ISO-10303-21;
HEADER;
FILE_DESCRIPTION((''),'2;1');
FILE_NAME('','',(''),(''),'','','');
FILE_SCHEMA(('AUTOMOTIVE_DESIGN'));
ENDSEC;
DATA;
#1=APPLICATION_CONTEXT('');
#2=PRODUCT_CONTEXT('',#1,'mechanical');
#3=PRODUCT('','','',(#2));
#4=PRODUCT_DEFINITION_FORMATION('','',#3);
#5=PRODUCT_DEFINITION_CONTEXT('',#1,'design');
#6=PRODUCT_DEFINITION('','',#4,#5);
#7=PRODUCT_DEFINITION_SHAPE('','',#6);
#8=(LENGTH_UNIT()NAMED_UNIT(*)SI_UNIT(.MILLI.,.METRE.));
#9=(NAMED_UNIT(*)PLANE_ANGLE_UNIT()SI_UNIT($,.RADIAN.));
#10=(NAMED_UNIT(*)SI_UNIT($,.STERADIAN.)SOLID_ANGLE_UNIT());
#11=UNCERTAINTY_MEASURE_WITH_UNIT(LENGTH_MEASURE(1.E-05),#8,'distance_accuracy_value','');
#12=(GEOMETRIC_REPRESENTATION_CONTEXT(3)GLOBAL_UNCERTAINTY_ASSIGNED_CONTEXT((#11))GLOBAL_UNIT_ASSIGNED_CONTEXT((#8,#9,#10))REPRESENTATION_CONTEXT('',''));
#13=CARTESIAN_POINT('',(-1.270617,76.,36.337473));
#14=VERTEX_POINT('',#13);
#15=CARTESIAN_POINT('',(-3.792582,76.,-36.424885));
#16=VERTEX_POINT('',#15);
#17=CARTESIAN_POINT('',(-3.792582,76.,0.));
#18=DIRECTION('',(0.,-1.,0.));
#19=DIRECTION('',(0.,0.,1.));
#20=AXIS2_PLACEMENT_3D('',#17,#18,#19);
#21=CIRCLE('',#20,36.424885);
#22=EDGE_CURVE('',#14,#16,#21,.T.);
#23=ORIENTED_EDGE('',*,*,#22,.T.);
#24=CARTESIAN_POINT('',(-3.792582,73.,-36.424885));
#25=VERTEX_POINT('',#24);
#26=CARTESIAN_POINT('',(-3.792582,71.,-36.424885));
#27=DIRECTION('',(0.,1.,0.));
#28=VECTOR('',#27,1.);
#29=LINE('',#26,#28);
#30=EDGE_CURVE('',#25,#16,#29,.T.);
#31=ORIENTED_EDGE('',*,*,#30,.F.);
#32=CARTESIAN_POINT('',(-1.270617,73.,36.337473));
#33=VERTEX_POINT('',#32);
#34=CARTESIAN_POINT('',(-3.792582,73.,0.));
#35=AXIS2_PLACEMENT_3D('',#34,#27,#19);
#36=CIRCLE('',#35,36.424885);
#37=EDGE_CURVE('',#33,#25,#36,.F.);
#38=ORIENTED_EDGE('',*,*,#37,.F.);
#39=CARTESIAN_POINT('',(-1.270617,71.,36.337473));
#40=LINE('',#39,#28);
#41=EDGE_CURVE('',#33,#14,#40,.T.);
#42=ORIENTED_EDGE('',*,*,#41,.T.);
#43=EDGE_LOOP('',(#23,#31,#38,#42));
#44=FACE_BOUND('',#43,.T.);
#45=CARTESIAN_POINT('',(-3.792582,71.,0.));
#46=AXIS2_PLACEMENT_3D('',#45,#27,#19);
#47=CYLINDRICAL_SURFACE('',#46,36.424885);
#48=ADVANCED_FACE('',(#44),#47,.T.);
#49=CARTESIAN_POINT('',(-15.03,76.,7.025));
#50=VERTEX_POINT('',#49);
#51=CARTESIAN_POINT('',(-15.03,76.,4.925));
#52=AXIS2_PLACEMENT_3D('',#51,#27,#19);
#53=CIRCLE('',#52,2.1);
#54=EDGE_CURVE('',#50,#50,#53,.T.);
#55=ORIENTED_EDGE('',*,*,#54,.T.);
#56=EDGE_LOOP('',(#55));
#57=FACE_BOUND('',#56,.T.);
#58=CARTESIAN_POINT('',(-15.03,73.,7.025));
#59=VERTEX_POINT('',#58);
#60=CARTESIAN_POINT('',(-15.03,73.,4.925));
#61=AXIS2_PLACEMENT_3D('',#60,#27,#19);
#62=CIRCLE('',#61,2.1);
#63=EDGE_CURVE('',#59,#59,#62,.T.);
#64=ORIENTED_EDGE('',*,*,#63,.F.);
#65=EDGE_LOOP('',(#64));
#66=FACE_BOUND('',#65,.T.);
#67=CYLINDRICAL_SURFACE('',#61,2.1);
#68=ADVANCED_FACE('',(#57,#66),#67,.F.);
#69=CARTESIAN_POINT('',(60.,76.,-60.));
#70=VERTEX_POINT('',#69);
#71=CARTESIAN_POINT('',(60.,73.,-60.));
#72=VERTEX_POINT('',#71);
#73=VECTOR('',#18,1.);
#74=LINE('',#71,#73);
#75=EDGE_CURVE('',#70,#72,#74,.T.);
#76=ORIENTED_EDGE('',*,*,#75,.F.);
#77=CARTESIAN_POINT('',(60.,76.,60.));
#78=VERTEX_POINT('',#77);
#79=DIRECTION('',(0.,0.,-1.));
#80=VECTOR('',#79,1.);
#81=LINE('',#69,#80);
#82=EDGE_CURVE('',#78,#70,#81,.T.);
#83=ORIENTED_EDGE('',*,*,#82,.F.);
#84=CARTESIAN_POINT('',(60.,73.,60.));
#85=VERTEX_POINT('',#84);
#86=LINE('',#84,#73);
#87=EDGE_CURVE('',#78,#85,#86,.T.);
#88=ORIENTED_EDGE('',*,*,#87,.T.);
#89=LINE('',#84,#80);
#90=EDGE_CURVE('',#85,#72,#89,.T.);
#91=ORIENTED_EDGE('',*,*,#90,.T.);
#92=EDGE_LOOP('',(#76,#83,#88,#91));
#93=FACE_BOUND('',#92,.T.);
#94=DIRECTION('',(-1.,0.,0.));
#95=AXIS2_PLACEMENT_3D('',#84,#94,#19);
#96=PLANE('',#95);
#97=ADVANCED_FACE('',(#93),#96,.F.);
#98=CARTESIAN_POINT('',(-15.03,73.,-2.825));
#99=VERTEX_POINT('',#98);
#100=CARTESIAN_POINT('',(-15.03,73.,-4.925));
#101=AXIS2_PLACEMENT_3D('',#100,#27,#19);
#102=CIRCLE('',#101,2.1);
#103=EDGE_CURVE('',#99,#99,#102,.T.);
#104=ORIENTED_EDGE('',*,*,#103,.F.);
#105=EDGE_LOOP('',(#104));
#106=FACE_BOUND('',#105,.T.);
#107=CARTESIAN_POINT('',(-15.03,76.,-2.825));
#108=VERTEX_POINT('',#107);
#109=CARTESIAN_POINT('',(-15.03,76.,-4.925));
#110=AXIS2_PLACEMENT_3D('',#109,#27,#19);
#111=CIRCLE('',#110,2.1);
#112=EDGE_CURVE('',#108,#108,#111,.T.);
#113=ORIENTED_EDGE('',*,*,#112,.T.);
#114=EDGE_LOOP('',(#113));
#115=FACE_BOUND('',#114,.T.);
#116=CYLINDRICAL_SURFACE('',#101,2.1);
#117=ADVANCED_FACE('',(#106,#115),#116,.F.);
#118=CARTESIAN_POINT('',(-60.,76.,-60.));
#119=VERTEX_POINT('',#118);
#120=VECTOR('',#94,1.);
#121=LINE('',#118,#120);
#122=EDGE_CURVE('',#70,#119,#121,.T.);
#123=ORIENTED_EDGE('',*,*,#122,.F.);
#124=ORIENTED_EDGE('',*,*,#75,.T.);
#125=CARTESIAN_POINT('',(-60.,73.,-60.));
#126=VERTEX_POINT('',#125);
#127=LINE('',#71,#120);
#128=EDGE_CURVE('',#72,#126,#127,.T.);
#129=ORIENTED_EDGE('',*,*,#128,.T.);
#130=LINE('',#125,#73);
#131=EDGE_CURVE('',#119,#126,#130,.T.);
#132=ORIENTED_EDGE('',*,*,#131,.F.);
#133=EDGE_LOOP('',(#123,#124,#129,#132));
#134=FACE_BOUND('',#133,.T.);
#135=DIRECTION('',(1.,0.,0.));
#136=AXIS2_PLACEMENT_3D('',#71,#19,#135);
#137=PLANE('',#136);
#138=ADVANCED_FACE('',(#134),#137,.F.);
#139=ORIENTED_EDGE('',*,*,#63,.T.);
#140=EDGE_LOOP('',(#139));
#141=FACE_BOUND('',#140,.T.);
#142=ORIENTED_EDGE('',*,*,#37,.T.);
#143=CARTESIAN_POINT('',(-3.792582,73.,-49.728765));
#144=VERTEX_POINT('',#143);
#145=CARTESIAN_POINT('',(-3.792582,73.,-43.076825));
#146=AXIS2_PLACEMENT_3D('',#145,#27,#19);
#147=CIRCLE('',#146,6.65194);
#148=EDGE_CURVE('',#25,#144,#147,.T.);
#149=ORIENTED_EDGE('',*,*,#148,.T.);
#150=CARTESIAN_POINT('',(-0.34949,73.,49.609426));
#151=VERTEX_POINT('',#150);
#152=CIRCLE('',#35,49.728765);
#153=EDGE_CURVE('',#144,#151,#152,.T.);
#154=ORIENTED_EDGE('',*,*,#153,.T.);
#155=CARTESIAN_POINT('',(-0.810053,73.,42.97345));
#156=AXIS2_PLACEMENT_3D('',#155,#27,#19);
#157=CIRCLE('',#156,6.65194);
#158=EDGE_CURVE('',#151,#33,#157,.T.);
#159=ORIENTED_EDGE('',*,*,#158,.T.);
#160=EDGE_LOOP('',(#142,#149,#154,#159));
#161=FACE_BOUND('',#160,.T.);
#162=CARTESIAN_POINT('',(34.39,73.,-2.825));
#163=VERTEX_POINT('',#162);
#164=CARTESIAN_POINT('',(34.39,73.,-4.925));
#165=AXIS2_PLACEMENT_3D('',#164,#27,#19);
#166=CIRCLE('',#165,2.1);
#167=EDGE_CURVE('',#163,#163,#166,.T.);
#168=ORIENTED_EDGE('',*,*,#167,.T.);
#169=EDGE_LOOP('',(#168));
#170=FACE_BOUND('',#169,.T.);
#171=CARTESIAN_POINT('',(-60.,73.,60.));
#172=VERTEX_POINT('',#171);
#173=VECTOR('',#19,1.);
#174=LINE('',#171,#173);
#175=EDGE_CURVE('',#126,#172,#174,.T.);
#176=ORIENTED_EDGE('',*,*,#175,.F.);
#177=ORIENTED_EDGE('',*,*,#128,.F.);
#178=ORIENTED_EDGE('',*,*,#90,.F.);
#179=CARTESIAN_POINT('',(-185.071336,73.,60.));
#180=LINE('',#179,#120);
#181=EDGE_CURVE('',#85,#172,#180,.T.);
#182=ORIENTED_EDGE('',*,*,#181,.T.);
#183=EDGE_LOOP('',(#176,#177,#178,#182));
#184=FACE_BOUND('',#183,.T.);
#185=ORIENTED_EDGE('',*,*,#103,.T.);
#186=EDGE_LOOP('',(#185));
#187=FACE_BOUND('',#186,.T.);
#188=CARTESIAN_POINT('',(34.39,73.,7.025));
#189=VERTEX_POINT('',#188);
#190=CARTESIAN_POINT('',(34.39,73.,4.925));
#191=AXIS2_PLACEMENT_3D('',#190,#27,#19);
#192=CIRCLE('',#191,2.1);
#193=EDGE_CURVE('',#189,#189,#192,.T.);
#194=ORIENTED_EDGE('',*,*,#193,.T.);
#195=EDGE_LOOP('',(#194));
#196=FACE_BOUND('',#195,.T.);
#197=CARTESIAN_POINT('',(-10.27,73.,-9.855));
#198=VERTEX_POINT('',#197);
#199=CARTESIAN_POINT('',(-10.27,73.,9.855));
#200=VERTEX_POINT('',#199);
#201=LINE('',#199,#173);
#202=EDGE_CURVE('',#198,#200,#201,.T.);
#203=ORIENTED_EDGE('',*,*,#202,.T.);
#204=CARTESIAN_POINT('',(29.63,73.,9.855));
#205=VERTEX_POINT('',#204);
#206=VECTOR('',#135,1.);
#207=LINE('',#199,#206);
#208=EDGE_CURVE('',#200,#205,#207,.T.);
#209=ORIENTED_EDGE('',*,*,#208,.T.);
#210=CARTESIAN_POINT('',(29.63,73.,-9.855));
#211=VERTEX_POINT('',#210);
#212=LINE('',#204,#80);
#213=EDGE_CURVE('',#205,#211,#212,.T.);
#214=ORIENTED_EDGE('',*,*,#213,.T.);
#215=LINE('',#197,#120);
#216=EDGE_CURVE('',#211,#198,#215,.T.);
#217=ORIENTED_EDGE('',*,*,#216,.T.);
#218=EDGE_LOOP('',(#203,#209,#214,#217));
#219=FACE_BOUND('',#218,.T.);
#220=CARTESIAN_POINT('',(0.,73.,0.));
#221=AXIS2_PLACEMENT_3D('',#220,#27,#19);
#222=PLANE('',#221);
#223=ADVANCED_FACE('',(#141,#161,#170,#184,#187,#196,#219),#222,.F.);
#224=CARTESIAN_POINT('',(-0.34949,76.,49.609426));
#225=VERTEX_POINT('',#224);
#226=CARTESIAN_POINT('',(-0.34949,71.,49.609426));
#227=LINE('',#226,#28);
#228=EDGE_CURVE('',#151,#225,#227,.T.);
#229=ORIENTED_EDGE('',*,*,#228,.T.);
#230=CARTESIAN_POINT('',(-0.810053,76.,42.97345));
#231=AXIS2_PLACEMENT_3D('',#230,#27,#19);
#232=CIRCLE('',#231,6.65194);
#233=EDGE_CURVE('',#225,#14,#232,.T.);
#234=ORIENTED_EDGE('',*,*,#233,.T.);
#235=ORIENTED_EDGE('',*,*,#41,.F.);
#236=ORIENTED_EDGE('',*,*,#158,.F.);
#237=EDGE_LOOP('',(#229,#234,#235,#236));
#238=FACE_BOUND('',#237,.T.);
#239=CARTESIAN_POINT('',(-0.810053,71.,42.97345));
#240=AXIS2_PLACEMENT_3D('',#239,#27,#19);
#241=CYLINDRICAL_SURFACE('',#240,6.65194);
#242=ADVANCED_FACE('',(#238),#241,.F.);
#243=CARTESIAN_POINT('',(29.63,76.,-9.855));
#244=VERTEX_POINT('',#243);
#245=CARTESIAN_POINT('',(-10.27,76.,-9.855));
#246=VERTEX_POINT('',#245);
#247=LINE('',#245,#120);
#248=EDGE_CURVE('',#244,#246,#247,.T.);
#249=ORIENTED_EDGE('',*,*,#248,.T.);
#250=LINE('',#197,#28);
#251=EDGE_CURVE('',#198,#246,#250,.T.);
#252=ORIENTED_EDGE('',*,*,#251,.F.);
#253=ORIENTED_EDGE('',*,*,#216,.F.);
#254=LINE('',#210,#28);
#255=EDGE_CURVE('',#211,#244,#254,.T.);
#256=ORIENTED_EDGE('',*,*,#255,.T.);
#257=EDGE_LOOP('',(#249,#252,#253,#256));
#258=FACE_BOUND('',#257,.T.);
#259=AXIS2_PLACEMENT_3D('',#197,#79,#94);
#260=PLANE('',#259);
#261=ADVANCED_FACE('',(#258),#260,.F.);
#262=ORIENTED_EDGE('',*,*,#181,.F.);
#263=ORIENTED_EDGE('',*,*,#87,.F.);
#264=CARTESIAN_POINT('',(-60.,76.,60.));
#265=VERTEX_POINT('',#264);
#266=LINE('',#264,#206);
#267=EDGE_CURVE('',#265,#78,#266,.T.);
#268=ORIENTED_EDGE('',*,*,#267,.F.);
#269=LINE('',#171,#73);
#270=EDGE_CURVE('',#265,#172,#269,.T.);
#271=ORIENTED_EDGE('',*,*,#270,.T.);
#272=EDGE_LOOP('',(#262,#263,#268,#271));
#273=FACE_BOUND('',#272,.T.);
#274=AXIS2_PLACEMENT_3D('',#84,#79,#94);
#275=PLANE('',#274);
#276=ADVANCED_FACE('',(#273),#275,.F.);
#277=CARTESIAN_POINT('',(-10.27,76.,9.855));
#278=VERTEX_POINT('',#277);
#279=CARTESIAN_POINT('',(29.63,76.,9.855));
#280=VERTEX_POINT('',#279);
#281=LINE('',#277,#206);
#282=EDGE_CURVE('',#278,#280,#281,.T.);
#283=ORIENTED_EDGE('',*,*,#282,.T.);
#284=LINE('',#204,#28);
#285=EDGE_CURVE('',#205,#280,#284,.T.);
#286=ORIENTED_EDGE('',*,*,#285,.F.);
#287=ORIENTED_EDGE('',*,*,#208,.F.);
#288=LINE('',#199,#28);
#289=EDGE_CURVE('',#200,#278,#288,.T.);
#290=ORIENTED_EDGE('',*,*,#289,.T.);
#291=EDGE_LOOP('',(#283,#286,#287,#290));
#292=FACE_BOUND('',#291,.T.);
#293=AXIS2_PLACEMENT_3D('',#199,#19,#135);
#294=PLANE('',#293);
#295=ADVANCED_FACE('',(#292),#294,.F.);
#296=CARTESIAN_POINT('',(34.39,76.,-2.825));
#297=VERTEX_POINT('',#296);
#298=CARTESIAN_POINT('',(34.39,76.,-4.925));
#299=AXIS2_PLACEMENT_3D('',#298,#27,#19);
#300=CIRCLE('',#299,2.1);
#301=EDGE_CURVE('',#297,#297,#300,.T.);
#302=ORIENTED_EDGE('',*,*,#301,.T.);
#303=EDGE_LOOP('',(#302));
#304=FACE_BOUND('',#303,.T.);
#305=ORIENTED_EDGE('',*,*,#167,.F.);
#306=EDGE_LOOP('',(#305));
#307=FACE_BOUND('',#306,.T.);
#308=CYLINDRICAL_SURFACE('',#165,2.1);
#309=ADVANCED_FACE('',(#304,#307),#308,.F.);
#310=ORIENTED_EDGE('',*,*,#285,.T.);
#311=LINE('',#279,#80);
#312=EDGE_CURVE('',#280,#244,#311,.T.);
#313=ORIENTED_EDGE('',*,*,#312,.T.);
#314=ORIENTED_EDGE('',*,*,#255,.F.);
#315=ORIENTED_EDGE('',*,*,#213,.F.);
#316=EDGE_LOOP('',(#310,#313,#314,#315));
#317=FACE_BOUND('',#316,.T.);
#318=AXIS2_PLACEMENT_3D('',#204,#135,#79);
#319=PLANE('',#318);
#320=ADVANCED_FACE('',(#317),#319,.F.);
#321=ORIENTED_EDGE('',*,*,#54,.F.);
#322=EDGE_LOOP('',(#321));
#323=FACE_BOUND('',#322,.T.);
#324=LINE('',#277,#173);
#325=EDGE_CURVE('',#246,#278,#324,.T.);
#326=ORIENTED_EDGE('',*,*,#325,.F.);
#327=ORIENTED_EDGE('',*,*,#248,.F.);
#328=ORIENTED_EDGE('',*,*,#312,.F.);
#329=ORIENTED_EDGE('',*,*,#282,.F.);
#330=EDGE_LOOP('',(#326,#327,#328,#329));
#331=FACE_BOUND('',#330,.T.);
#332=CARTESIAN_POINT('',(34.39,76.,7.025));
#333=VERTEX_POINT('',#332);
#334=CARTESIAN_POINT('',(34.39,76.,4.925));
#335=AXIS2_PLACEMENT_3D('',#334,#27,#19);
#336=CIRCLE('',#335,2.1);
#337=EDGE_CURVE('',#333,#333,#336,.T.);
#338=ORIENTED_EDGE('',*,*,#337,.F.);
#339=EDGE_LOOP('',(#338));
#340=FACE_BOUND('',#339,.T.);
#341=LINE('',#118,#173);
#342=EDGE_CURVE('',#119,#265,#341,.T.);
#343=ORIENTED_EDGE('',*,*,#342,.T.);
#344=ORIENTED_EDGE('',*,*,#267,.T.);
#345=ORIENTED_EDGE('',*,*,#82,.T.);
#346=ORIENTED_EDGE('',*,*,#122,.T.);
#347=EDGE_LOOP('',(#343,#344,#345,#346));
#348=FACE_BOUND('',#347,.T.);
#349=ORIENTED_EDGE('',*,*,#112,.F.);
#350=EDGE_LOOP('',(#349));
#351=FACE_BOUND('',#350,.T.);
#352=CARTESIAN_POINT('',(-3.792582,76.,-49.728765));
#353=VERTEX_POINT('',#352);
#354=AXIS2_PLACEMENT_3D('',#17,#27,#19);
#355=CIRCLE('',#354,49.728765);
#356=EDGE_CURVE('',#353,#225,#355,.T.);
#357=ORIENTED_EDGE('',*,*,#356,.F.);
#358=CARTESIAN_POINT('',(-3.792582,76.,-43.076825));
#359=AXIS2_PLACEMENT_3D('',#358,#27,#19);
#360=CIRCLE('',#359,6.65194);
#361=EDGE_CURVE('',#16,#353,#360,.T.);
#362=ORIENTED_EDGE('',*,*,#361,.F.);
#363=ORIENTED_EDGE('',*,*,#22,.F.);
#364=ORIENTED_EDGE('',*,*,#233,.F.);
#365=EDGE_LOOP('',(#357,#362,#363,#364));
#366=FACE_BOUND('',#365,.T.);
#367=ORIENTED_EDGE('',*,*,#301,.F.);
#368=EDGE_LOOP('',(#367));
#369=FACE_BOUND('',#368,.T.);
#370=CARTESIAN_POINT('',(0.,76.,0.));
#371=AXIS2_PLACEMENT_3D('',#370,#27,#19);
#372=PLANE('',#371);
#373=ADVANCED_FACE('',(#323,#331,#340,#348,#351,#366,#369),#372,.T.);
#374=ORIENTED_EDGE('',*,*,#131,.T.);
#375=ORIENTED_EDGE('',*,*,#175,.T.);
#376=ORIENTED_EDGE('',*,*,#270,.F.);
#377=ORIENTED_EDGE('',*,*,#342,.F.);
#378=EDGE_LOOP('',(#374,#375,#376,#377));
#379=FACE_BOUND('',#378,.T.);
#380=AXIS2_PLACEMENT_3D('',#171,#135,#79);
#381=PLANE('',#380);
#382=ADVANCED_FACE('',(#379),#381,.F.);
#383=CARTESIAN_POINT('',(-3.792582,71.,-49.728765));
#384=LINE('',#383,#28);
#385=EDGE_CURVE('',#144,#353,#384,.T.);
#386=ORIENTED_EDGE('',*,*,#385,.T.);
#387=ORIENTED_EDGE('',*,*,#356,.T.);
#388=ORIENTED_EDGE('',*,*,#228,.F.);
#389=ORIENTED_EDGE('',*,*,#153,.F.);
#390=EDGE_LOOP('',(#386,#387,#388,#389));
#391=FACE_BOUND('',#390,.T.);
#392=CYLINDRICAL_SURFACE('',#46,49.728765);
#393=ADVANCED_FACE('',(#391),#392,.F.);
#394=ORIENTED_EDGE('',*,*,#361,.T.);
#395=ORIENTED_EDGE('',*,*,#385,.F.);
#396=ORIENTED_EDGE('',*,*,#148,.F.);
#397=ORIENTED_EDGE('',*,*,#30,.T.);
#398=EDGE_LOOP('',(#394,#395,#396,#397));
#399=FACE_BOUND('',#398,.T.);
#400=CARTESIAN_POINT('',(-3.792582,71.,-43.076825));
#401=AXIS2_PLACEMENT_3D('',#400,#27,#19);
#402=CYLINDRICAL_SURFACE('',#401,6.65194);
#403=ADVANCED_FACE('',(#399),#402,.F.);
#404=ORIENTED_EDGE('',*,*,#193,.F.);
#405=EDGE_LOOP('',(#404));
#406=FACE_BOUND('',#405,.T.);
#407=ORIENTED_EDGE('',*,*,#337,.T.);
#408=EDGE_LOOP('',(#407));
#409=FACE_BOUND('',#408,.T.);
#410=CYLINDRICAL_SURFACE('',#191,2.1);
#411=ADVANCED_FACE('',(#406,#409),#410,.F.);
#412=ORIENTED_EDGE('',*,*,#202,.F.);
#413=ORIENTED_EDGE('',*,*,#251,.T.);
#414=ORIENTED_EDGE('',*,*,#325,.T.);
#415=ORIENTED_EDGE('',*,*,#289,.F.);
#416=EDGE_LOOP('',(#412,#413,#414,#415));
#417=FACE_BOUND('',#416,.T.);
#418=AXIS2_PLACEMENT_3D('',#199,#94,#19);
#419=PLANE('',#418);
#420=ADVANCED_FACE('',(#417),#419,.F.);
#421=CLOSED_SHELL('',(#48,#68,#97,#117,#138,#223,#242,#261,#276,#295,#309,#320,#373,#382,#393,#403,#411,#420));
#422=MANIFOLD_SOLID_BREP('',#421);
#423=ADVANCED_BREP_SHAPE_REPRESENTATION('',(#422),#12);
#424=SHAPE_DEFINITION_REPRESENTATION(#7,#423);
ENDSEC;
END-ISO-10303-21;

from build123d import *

# Parameters (mm, degrees)
SKETCH1_W           = 140
SKETCH1_H           = 160
BOSS_EXTRUDE1_DEPTH = 3
SKETCH2_W           = 120
SKETCH2_H           = 120
SKETCH2_W_2         = 117
SKETCH2_H_2         = 117
BOSS_EXTRUDE2_DEPTH = 70
SKETCH4_W           = 120
SKETCH4_H           = 120
BOSS_EXTRUDE4_DEPTH = 3
SKETCH5_R           = 2.1
SKETCH5_W           = 39.9
SKETCH5_H           = 19.71
CUT_EXTRUDE2_DEPTH  = 3
SKETCH6_W           = 18.298163042
SKETCH6_H           = 17.309993256
CUT_EXTRUDE3_DEPTH  = 3
CUT_EXTRUDE8_DEPTH  = 5
SKETCH15_W          = 259.021634325
SKETCH15_H          = 180.269434884
BOSS_EXTRUDE5_DEPTH = 3
SKETCH18_R          = 1.6
CUT_EXTRUDE9_DEPTH  = 10
SKETCH19_W          = 12
SKETCH19_H          = 4.5
SKETCH19_H_2        = 8.4
SKETCH19_W_2        = 10.084057066
SKETCH19_H_3        = 7.362028533
CUT_EXTRUDE11_DEPTH = 5
SKETCH20_W          = 298.828856564
SKETCH20_H          = 90.290314023
CUT_EXTRUDE12_DEPTH = 233.259150239
SKETCH21_W          = 285.29336792
SKETCH21_H          = 107.84761331
CUT_EXTRUDE13_DEPTH = 210.645587699


with BuildPart() as part:
    # Sketch1 → Boss-Extrude1 (new body)
    with BuildSketch(Plane(origin=(0, 0, 0), x_dir=(1, 0, 0), z_dir=(0, 1, 0))):
        Rectangle(SKETCH1_W, SKETCH1_H)
    extrude(amount=BOSS_EXTRUDE1_DEPTH)

    # Sketch2 → Boss-Extrude2 (add)
    with BuildSketch(Plane(origin=(0, 3, 0), x_dir=(1, 0, 0), z_dir=(0, 1, 0))):
        Rectangle(SKETCH2_W, SKETCH2_H)
        Rectangle(SKETCH2_W_2, SKETCH2_H_2, mode=Mode.SUBTRACT)
    extrude(amount=BOSS_EXTRUDE2_DEPTH)

    # Sketch4 → Boss-Extrude4 (add)
    with BuildSketch(Plane(origin=(0, 73, 0), x_dir=(1, 0, 0), z_dir=(0, 1, 0))):
        Rectangle(SKETCH4_W, SKETCH4_H)
    extrude(amount=BOSS_EXTRUDE4_DEPTH)

    # Sketch5 → Cut-Extrude2 (cut)
    with BuildSketch(Plane(origin=(0, 76, 0), x_dir=(1, 0, 0), z_dir=(0, 1, 0))):
        with Locations(Location((34.39, -4.925, 0), (0, 0, 270))):
            Circle(SKETCH5_R)
        with Locations(Location((34.39, 4.925, 0), (0, 0, 270))):
            Circle(SKETCH5_R)
        with Locations(Location((-15.03, -4.925, 0), (0, 0, 270))):
            Circle(SKETCH5_R)
        with Locations(Location((-15.03, 4.925, 0), (0, 0, 270))):
            Circle(SKETCH5_R)
        with Locations((9.68, 0)):
            Rectangle(SKETCH5_W, SKETCH5_H)
    extrude(amount=-CUT_EXTRUDE2_DEPTH, mode=Mode.SUBTRACT)

    # Sketch6 → Cut-Extrude3 (cut)
    with BuildSketch(Plane(origin=(0, 76, 0), x_dir=(1, 0, 0), z_dir=(0, 1, 0))):
        Rectangle(SKETCH6_W, SKETCH6_H)
    extrude(amount=-CUT_EXTRUDE3_DEPTH, mode=Mode.SUBTRACT)

    # Sketch13 → Cut-Extrude8 (cut)
    with BuildSketch(Plane(origin=(0, 76, 0), x_dir=(1, 0, 0), z_dir=(0, 1, 0))):
        with BuildLine():
            ThreePointArc((-3.792582359, 49.728765052), (-53.491503795, -1.722579942), (-0.349490011, -49.609426409))
            ThreePointArc((-0.349490011, -49.609426409), (5.82592347, -42.51288634), (-1.270616599, -36.337472859))
            ThreePointArc((-1.270616599, -36.337472859), (-40.195607742, -1.261740085), (-3.792582359, 36.42488497))
            ThreePointArc((-3.792582359, 36.42488497), (2.859357682, 43.076825011), (-3.792582359, 49.728765052))
        make_face()
    extrude(amount=-CUT_EXTRUDE8_DEPTH, mode=Mode.SUBTRACT)

    # Sketch15 → Boss-Extrude5 (add)
    with BuildSketch(Plane(origin=(0, 3, 0), x_dir=(1, 0, 0), z_dir=(0, 1, 0))):
        with Locations((-39.510817163, -10.134717442)):
            Rectangle(SKETCH15_W, SKETCH15_H)
    extrude(amount=-BOSS_EXTRUDE5_DEPTH)

    # Sketch18 → Cut-Extrude9 (cut)
    with BuildSketch(Plane(origin=(0, 3, 0), x_dir=(1, 0, 0), z_dir=(0, 1, 0))):
        with Locations(Location((-55.452, -27.227420358, 0), (0, 0, 270))):
            Circle(SKETCH18_R)
        with Locations(Location((-55.452, 32.208579642, 0), (0, 0, 270))):
            Circle(SKETCH18_R)
        with Locations(Location((4.746, 32.208579642, 0), (0, 0, 270))):
            Circle(SKETCH18_R)
        with Locations(Location((4.746, -27.227420358, 0), (0, 0, 270))):
            Circle(SKETCH18_R)
    extrude(amount=-CUT_EXTRUDE9_DEPTH, mode=Mode.SUBTRACT)

    # Sketch19 → Cut-Extrude11 (cut)
    with BuildSketch(Plane.ZY.offset(60)):
        with Locations((12.367420358, 33)):
            Rectangle(SKETCH19_W, SKETCH19_H)
        with Locations((-11.259414931, 37.2)):
            Rectangle(SKETCH19_W, SKETCH19_H_2)
        with Locations((-28.606781654, 36.742945388)):
            Rectangle(SKETCH19_W_2, SKETCH19_H_3)
    extrude(amount=-CUT_EXTRUDE11_DEPTH, mode=Mode.SUBTRACT)

    # Sketch20 → Cut-Extrude12 (cut, through all)
    with BuildSketch(Plane.XY.offset(60)):
        with Locations((-35.656907555, 27.854842988)):
            Rectangle(SKETCH20_W, SKETCH20_H)
    extrude(amount=-CUT_EXTRUDE12_DEPTH, mode=Mode.SUBTRACT)


with BuildPart() as cut_extrude12_piece_1:
    # of the separate pieces the step leaves, piece 1, a body of its own (cut_extrude12_pieces)
    add(part.part.solids().sort_by_distance((60, 76, 60))[0])


with BuildPart() as cut_extrude12_piece_2:
    # of the separate pieces the step leaves, piece 2, a body of its own (cut_extrude12_pieces)
    add(part.part.solids().sort_by_distance((90, 0, 60))[0])

    # Sketch21 → Cut-Extrude13 (cut, through all)
    with BuildSketch(Plane(origin=(0, 3, 0), x_dir=(1, 0, 0), z_dir=(0, 1, 0))):
        with Locations((-30.056705319, -107.088557651)):
            Rectangle(SKETCH21_W, SKETCH21_H)
    extrude(amount=-CUT_EXTRUDE13_DEPTH, mode=Mode.SUBTRACT)


solid = cut_extrude12_piece_1.part
